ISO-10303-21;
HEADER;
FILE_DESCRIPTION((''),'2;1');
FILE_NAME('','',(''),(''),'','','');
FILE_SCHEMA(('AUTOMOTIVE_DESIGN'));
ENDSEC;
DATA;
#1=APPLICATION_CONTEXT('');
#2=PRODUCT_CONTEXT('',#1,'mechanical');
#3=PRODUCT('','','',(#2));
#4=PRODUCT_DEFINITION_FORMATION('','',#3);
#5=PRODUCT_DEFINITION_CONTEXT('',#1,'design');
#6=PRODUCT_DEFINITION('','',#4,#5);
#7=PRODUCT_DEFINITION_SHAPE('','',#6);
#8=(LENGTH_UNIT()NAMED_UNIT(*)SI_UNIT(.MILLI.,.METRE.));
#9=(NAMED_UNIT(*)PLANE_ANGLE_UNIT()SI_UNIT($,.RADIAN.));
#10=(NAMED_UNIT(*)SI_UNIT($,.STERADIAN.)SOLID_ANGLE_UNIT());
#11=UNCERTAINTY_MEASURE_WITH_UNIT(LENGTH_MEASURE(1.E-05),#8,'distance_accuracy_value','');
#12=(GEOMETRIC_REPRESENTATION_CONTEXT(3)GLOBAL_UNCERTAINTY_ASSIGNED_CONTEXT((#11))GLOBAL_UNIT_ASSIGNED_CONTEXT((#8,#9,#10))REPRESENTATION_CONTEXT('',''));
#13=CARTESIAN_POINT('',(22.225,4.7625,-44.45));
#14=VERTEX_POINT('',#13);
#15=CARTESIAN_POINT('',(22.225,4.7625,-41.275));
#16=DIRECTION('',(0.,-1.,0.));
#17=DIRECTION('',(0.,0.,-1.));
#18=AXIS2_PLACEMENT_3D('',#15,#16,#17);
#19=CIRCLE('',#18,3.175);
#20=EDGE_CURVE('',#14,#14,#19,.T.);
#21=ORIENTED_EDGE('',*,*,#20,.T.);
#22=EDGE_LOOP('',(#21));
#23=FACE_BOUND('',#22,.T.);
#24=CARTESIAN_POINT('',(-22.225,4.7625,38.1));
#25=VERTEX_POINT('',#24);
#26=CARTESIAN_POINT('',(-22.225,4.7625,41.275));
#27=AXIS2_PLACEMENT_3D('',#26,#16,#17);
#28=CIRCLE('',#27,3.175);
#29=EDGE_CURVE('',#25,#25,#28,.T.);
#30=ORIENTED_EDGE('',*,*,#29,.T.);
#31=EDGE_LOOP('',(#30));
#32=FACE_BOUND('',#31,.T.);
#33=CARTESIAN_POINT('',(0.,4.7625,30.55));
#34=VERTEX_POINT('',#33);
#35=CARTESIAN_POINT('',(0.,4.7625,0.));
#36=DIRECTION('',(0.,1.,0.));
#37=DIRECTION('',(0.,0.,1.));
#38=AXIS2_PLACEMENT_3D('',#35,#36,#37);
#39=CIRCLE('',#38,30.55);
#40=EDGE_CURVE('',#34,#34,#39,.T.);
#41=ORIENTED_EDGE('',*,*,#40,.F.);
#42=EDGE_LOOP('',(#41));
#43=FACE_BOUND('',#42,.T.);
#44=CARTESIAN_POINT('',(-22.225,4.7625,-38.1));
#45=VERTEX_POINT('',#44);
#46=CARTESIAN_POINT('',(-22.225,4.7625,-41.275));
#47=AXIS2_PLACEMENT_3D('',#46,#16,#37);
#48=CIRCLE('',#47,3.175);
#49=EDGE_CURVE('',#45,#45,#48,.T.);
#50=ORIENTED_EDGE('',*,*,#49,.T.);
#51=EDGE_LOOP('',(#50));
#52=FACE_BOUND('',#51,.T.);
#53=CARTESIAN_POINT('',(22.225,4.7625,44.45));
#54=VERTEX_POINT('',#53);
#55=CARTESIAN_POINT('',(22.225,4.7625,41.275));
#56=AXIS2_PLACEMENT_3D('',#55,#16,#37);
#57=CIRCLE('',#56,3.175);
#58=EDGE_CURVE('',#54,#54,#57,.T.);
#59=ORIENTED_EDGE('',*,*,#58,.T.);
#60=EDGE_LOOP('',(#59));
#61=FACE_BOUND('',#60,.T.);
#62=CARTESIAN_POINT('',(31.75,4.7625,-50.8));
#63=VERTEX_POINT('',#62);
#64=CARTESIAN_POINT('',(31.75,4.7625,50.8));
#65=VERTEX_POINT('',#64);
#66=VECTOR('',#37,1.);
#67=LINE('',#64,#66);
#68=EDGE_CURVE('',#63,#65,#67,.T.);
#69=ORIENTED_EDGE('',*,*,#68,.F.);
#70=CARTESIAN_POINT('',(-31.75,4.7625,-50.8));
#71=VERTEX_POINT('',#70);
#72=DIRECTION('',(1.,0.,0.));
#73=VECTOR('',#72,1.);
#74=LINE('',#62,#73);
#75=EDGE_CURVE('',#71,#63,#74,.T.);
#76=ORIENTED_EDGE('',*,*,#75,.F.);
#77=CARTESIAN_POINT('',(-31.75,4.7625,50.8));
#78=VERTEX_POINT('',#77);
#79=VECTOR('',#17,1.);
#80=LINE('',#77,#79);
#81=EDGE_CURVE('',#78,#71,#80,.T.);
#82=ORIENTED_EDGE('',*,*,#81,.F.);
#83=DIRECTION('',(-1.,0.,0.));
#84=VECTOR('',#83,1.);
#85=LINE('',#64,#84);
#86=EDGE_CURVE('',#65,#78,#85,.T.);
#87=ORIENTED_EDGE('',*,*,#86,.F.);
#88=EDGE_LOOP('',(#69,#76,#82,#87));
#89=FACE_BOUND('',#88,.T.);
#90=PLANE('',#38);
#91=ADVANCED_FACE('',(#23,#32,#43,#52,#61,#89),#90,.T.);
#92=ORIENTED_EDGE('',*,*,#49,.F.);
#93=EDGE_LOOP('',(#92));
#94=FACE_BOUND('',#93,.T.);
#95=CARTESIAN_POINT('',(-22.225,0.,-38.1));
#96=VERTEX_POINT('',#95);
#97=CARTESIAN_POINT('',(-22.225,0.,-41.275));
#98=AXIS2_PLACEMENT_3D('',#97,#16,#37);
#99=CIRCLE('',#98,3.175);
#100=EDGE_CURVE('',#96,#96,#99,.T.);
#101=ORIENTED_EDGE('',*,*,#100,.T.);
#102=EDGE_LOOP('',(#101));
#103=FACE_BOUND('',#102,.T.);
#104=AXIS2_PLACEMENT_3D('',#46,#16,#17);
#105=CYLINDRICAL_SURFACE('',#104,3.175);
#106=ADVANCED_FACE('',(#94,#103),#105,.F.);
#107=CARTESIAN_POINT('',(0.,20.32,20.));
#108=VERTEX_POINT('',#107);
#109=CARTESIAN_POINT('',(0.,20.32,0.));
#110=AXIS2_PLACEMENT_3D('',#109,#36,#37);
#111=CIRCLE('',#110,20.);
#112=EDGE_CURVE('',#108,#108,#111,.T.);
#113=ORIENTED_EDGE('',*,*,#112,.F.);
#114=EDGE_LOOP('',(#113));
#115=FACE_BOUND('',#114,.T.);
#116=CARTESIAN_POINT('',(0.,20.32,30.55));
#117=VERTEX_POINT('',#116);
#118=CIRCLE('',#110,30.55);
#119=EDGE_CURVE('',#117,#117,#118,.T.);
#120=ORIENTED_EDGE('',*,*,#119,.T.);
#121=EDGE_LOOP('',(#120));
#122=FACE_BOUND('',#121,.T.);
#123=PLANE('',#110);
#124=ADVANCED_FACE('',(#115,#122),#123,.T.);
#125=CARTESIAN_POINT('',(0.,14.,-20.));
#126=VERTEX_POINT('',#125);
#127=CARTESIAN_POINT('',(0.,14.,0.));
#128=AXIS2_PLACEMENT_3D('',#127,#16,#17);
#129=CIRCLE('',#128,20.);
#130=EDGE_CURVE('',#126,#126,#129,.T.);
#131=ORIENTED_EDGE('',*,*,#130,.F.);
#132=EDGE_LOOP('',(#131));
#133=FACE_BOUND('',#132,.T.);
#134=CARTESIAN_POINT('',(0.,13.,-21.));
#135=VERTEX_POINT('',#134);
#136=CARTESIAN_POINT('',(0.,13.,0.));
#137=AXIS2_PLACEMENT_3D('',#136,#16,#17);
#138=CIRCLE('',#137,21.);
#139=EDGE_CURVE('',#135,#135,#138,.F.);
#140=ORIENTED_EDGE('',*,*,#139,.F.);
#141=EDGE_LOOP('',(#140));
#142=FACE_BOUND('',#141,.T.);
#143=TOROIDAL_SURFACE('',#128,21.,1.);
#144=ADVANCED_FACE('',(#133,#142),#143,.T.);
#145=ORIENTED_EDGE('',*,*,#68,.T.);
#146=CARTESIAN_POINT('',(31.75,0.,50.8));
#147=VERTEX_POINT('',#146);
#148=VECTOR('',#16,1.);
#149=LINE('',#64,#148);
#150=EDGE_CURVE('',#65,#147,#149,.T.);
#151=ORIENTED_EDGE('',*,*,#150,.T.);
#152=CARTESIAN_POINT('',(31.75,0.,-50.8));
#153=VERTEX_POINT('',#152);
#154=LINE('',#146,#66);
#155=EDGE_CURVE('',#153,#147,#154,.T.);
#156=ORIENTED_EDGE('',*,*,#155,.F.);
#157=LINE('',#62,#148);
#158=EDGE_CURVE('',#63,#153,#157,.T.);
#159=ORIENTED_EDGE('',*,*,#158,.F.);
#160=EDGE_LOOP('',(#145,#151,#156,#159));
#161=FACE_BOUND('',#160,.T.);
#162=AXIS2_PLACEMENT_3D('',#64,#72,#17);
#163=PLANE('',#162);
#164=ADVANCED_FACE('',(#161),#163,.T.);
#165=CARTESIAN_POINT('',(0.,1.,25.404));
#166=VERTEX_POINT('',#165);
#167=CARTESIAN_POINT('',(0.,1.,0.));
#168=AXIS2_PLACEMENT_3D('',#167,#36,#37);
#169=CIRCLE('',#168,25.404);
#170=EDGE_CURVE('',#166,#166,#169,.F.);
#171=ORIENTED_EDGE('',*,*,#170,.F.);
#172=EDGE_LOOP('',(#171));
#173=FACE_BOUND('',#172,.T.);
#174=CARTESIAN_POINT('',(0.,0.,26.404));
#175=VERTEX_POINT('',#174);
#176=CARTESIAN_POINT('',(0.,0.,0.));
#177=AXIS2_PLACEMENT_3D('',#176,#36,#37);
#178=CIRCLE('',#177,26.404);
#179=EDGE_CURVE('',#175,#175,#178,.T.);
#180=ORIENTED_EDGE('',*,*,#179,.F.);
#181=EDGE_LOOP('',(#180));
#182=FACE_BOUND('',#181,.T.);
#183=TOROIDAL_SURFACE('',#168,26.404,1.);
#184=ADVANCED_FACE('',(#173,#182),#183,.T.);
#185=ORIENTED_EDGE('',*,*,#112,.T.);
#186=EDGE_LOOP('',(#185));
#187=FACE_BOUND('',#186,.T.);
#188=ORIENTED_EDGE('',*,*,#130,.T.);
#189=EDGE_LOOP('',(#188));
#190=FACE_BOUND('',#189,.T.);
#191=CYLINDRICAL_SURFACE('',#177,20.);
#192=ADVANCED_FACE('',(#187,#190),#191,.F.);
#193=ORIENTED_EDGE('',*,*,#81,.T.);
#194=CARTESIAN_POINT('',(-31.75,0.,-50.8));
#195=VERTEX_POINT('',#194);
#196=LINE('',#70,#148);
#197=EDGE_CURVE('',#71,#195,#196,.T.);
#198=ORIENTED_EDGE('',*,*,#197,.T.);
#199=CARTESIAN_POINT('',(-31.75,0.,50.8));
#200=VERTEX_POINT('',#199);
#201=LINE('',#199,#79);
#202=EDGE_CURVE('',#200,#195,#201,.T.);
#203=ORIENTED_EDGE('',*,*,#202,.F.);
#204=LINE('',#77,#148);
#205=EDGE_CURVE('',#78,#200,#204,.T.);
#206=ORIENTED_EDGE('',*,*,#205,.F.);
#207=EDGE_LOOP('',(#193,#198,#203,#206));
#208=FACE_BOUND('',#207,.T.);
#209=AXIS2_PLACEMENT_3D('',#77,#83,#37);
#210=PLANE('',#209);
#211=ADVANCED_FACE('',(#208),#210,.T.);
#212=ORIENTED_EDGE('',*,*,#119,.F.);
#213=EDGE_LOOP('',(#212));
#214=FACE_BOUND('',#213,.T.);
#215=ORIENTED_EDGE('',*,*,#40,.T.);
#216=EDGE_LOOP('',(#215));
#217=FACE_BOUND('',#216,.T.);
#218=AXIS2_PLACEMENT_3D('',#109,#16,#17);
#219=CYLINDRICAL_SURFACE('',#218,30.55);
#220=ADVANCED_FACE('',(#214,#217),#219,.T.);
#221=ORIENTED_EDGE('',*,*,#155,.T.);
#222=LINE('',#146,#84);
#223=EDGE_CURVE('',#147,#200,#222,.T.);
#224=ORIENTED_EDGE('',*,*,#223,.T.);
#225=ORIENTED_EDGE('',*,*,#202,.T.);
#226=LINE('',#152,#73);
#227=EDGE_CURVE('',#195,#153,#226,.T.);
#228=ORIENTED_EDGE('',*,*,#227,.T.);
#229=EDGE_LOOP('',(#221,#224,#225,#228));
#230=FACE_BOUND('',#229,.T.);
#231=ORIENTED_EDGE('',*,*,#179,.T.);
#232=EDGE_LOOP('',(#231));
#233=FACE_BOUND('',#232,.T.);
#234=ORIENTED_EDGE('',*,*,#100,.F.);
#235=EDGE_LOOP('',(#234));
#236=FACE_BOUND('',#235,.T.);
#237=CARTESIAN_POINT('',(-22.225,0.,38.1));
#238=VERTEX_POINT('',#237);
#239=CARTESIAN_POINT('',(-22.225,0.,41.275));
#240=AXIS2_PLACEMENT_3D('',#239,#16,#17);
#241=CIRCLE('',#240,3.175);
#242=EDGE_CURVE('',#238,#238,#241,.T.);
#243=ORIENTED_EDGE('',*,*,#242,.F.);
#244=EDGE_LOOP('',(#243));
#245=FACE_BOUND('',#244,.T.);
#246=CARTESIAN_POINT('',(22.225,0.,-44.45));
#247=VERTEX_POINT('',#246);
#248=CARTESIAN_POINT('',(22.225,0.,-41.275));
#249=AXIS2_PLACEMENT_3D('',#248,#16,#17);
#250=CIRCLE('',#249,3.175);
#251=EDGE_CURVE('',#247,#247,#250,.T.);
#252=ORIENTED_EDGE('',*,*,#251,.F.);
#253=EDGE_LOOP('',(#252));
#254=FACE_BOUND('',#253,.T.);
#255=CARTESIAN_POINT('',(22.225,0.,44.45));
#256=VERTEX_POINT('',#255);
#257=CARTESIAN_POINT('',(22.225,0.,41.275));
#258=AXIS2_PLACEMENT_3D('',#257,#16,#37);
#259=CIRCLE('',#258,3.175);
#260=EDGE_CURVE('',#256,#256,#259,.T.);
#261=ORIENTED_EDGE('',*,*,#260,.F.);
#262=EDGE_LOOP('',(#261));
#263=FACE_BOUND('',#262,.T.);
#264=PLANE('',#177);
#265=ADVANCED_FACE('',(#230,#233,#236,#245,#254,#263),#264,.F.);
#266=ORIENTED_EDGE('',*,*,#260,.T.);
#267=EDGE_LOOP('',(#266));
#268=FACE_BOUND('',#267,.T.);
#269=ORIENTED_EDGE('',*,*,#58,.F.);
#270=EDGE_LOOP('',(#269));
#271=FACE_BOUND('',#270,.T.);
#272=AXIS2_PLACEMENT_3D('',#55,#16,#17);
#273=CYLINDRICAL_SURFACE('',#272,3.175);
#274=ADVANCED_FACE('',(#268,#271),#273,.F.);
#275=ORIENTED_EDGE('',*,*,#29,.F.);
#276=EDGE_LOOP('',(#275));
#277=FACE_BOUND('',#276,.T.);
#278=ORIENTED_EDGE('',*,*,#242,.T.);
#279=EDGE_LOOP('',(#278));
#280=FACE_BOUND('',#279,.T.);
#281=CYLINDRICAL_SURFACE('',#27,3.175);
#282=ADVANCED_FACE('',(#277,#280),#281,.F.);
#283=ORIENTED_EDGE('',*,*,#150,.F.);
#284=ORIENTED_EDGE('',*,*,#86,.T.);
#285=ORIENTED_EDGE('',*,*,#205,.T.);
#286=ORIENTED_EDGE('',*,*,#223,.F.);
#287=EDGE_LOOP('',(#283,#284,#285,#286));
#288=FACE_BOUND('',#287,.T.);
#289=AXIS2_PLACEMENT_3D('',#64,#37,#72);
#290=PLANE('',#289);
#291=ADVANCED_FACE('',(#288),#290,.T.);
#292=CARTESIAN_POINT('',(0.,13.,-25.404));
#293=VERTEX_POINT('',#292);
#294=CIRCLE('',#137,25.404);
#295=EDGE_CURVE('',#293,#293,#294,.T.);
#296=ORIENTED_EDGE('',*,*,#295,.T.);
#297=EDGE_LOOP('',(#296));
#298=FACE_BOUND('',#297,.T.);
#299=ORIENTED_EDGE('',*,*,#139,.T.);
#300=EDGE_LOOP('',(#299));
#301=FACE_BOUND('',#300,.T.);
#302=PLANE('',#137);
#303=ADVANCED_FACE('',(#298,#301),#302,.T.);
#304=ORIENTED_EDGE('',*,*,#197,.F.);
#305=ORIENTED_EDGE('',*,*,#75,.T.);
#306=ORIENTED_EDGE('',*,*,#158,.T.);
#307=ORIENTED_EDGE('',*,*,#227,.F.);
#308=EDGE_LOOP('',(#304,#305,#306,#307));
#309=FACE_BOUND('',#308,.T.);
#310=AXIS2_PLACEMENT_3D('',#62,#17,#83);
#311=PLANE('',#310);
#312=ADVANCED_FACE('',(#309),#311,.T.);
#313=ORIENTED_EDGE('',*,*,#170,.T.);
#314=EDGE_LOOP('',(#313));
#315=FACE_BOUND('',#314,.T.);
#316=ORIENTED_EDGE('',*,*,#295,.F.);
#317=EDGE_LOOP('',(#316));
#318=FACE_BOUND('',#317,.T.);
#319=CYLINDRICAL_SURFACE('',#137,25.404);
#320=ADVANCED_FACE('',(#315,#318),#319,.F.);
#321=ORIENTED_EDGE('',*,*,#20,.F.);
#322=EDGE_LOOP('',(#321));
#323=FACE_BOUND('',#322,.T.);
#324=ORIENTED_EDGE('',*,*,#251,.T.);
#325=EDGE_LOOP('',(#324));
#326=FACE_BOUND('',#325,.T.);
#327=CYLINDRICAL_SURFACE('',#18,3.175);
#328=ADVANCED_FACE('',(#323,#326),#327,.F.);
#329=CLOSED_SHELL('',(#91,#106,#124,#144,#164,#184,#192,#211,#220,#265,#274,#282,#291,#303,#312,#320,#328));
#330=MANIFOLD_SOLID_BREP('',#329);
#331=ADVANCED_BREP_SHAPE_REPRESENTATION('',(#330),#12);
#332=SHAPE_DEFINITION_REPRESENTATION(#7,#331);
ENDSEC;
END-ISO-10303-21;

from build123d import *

# Parameters (mm, degrees)
SKETCH1_R           = 30.55
BOSS_EXTRUDE1_DEPTH = 20.32
SKETCH2_R           = 25.404
CUT_EXTRUDE1_DEPTH  = 13
SKETCH3_R           = 20
CUT_EXTRUDE2_DEPTH  = 21.32
FILLET1_R           = 1
FILLET2_R           = 1
SKETCH4_W           = 63.5
SKETCH4_H           = 101.6
SKETCH4_R           = 3.175
SKETCH4_R_2         = 26.404
BOSS_EXTRUDE2_DEPTH = 4.7625


with BuildPart() as part:
    # Sketch1 → Boss-Extrude1 (new body)
    with BuildSketch(Plane(origin=(0, 0, 0), x_dir=(1, 0, 0), z_dir=(0, 1, 0))):
        Circle(SKETCH1_R)
    extrude(amount=BOSS_EXTRUDE1_DEPTH)

    # Sketch2 → Cut-Extrude1 (cut)
    with BuildSketch(Plane.XZ):
        Circle(SKETCH2_R)
    extrude(amount=-CUT_EXTRUDE1_DEPTH, mode=Mode.SUBTRACT)

    # Sketch3 → Cut-Extrude2 (cut, through all)
    with BuildSketch(Plane(origin=(0, 20.32, 0), x_dir=(1, 0, 0), z_dir=(0, 1, 0))):
        Circle(SKETCH3_R)
    extrude(amount=-CUT_EXTRUDE2_DEPTH, mode=Mode.SUBTRACT)

    # Fillet1
    fillet1_edges = [part.edges().sort_by_distance(p)[0] for p in [
        (-25.404, 0, 0),
    ]]
    fillet(fillet1_edges, radius=FILLET1_R)

    # Fillet2
    fillet2_edges = [part.edges().sort_by_distance(p)[0] for p in [
        (-20, 13, 0),
    ]]
    fillet(fillet2_edges, radius=FILLET2_R)

    # Sketch4 → Boss-Extrude2 (add)
    with BuildSketch(Plane.XZ):
        Rectangle(SKETCH4_W, SKETCH4_H)
        with Locations((-22.225, 41.275)):
            Circle(SKETCH4_R, mode=Mode.SUBTRACT)
        with Locations((22.225, 41.275)):
            Circle(SKETCH4_R, mode=Mode.SUBTRACT)
        with Locations((22.225, -41.275)):
            Circle(SKETCH4_R, mode=Mode.SUBTRACT)
        with Locations((-22.225, -41.275)):
            Circle(SKETCH4_R, mode=Mode.SUBTRACT)
        Circle(SKETCH4_R_2, mode=Mode.SUBTRACT)
    extrude(amount=-BOSS_EXTRUDE2_DEPTH)


solid = part.part
